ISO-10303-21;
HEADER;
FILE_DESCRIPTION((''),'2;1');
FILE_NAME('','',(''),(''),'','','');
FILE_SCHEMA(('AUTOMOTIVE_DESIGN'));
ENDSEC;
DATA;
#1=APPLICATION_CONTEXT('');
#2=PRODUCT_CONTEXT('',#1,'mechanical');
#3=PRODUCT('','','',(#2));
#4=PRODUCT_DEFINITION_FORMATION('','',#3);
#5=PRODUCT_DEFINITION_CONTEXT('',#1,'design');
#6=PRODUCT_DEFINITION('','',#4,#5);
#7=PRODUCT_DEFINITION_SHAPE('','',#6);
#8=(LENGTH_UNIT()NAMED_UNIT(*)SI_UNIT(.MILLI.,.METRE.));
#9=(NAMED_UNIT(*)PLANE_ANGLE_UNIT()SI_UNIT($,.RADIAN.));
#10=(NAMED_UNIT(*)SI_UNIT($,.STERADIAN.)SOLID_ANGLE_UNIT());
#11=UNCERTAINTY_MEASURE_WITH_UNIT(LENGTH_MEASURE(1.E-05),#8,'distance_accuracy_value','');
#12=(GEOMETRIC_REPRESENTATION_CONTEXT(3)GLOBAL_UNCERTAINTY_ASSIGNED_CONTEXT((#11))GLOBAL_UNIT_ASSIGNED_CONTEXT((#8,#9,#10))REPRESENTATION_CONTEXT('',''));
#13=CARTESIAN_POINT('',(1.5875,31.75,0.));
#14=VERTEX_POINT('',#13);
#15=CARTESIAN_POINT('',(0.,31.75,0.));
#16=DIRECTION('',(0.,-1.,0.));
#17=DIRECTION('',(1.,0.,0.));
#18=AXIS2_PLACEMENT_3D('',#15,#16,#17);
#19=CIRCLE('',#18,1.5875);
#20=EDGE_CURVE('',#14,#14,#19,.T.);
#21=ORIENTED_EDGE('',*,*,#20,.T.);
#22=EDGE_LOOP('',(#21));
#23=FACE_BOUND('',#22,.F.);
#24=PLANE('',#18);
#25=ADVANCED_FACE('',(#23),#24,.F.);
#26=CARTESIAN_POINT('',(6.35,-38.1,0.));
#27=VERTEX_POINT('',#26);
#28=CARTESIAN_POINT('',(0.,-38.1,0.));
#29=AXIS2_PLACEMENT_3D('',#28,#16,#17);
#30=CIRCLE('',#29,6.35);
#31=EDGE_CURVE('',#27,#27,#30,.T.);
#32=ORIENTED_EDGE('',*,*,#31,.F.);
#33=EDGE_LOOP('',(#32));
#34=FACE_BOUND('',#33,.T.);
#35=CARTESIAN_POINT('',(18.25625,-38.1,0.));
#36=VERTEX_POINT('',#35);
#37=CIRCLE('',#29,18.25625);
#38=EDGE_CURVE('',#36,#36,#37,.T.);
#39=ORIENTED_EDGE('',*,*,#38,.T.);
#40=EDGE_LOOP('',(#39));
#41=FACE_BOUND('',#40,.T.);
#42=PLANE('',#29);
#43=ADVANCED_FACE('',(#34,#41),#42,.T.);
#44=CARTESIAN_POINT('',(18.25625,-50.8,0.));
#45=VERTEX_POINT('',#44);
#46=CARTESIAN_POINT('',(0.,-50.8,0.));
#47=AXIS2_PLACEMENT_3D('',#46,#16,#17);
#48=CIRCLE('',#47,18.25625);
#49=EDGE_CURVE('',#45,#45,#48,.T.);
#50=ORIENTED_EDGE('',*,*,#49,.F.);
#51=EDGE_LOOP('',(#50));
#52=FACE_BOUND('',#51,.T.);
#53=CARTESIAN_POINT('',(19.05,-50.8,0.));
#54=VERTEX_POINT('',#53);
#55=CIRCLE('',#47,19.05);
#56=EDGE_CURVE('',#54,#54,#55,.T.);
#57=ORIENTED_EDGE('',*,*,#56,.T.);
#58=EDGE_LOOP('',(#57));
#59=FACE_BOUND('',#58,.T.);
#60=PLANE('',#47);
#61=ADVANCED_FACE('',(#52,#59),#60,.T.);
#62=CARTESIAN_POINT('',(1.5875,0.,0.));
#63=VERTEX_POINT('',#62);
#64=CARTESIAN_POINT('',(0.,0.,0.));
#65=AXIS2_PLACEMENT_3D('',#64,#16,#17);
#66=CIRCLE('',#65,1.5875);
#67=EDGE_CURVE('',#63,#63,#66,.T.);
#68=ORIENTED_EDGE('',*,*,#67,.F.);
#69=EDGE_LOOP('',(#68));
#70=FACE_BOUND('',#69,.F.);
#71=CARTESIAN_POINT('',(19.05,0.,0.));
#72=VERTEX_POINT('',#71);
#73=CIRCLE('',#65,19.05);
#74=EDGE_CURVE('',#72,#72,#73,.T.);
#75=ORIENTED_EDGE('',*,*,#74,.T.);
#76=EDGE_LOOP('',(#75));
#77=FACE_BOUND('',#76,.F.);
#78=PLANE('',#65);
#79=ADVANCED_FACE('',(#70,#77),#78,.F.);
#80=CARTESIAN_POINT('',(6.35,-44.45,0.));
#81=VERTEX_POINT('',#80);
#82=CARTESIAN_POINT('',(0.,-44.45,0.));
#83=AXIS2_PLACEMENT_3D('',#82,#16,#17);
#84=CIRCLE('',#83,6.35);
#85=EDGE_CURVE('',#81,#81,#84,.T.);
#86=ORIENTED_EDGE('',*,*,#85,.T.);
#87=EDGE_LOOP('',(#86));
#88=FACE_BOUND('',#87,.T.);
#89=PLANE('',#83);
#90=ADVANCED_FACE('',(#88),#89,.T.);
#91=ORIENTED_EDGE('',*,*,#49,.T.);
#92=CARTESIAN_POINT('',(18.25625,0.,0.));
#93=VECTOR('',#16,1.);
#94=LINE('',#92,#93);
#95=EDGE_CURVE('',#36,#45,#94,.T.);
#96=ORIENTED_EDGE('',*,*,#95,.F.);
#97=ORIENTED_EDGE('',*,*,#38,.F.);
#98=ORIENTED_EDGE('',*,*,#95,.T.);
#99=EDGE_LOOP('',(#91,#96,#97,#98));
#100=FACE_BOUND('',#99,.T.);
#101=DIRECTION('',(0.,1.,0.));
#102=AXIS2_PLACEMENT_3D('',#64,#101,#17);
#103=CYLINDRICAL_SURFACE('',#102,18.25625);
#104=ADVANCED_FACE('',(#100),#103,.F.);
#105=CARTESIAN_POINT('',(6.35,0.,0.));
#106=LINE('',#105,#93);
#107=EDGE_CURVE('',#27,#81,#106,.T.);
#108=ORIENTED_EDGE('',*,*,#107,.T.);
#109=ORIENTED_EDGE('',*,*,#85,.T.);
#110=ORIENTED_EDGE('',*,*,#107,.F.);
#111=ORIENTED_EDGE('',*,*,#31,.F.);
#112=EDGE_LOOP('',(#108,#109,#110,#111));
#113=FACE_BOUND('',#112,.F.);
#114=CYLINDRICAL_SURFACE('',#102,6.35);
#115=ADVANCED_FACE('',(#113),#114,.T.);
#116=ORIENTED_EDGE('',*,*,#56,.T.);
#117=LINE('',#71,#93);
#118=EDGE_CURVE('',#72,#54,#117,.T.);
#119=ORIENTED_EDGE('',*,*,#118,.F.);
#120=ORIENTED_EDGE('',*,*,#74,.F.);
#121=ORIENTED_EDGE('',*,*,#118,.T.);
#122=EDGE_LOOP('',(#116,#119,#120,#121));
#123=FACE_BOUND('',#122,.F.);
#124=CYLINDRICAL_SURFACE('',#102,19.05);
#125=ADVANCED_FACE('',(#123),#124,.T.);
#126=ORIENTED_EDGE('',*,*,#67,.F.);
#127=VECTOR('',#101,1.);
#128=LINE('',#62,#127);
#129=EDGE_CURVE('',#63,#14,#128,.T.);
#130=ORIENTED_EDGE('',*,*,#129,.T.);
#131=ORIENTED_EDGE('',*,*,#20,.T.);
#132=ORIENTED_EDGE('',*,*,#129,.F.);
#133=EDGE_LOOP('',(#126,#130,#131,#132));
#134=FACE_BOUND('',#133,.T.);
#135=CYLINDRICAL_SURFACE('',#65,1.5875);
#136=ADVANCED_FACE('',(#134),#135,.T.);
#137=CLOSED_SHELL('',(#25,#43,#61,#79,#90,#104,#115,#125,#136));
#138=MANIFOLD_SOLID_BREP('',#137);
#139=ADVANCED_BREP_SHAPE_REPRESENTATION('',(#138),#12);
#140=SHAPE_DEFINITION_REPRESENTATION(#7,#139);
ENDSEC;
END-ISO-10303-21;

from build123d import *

# Parameters (mm, degrees)
F0_R     = 19.05
F0_R_2   = 18.25625
F1_DEPTH = 50.8
F2_R     = 6.35
F3_DEPTH = 44.45
F0_R_3   = 6.35
F4_DEPTH = 38.1
F5_R     = 1.5875
F6_DEPTH = 31.75


with BuildPart() as f1:
    # F0 (on Front) → F1 (new body)
    with BuildSketch(Plane.XZ):
        Circle(F0_R)
        Circle(F0_R_2, mode=Mode.SUBTRACT)
    extrude(amount=F1_DEPTH)



with BuildPart() as f3:
    # F2 (on Front) → F3 (new body)
    with BuildSketch(Plane.XZ):
        Circle(F2_R)
    extrude(amount=F3_DEPTH)


with BuildPart() as f1_1:
    add(f1.part)

    add(f3.part)  # F4 merges F3
    # F0 (on Front) → F4 (join)
    with BuildSketch(Plane.XZ):
        Circle(F0_R_2)
        Circle(F0_R_3, mode=Mode.SUBTRACT)
    extrude(amount=F4_DEPTH)

    # F5 (on Front) → F6 (join)
    with BuildSketch(Plane.XZ):
        Circle(F5_R)
    extrude(amount=-F6_DEPTH)


solid = f1_1.part
